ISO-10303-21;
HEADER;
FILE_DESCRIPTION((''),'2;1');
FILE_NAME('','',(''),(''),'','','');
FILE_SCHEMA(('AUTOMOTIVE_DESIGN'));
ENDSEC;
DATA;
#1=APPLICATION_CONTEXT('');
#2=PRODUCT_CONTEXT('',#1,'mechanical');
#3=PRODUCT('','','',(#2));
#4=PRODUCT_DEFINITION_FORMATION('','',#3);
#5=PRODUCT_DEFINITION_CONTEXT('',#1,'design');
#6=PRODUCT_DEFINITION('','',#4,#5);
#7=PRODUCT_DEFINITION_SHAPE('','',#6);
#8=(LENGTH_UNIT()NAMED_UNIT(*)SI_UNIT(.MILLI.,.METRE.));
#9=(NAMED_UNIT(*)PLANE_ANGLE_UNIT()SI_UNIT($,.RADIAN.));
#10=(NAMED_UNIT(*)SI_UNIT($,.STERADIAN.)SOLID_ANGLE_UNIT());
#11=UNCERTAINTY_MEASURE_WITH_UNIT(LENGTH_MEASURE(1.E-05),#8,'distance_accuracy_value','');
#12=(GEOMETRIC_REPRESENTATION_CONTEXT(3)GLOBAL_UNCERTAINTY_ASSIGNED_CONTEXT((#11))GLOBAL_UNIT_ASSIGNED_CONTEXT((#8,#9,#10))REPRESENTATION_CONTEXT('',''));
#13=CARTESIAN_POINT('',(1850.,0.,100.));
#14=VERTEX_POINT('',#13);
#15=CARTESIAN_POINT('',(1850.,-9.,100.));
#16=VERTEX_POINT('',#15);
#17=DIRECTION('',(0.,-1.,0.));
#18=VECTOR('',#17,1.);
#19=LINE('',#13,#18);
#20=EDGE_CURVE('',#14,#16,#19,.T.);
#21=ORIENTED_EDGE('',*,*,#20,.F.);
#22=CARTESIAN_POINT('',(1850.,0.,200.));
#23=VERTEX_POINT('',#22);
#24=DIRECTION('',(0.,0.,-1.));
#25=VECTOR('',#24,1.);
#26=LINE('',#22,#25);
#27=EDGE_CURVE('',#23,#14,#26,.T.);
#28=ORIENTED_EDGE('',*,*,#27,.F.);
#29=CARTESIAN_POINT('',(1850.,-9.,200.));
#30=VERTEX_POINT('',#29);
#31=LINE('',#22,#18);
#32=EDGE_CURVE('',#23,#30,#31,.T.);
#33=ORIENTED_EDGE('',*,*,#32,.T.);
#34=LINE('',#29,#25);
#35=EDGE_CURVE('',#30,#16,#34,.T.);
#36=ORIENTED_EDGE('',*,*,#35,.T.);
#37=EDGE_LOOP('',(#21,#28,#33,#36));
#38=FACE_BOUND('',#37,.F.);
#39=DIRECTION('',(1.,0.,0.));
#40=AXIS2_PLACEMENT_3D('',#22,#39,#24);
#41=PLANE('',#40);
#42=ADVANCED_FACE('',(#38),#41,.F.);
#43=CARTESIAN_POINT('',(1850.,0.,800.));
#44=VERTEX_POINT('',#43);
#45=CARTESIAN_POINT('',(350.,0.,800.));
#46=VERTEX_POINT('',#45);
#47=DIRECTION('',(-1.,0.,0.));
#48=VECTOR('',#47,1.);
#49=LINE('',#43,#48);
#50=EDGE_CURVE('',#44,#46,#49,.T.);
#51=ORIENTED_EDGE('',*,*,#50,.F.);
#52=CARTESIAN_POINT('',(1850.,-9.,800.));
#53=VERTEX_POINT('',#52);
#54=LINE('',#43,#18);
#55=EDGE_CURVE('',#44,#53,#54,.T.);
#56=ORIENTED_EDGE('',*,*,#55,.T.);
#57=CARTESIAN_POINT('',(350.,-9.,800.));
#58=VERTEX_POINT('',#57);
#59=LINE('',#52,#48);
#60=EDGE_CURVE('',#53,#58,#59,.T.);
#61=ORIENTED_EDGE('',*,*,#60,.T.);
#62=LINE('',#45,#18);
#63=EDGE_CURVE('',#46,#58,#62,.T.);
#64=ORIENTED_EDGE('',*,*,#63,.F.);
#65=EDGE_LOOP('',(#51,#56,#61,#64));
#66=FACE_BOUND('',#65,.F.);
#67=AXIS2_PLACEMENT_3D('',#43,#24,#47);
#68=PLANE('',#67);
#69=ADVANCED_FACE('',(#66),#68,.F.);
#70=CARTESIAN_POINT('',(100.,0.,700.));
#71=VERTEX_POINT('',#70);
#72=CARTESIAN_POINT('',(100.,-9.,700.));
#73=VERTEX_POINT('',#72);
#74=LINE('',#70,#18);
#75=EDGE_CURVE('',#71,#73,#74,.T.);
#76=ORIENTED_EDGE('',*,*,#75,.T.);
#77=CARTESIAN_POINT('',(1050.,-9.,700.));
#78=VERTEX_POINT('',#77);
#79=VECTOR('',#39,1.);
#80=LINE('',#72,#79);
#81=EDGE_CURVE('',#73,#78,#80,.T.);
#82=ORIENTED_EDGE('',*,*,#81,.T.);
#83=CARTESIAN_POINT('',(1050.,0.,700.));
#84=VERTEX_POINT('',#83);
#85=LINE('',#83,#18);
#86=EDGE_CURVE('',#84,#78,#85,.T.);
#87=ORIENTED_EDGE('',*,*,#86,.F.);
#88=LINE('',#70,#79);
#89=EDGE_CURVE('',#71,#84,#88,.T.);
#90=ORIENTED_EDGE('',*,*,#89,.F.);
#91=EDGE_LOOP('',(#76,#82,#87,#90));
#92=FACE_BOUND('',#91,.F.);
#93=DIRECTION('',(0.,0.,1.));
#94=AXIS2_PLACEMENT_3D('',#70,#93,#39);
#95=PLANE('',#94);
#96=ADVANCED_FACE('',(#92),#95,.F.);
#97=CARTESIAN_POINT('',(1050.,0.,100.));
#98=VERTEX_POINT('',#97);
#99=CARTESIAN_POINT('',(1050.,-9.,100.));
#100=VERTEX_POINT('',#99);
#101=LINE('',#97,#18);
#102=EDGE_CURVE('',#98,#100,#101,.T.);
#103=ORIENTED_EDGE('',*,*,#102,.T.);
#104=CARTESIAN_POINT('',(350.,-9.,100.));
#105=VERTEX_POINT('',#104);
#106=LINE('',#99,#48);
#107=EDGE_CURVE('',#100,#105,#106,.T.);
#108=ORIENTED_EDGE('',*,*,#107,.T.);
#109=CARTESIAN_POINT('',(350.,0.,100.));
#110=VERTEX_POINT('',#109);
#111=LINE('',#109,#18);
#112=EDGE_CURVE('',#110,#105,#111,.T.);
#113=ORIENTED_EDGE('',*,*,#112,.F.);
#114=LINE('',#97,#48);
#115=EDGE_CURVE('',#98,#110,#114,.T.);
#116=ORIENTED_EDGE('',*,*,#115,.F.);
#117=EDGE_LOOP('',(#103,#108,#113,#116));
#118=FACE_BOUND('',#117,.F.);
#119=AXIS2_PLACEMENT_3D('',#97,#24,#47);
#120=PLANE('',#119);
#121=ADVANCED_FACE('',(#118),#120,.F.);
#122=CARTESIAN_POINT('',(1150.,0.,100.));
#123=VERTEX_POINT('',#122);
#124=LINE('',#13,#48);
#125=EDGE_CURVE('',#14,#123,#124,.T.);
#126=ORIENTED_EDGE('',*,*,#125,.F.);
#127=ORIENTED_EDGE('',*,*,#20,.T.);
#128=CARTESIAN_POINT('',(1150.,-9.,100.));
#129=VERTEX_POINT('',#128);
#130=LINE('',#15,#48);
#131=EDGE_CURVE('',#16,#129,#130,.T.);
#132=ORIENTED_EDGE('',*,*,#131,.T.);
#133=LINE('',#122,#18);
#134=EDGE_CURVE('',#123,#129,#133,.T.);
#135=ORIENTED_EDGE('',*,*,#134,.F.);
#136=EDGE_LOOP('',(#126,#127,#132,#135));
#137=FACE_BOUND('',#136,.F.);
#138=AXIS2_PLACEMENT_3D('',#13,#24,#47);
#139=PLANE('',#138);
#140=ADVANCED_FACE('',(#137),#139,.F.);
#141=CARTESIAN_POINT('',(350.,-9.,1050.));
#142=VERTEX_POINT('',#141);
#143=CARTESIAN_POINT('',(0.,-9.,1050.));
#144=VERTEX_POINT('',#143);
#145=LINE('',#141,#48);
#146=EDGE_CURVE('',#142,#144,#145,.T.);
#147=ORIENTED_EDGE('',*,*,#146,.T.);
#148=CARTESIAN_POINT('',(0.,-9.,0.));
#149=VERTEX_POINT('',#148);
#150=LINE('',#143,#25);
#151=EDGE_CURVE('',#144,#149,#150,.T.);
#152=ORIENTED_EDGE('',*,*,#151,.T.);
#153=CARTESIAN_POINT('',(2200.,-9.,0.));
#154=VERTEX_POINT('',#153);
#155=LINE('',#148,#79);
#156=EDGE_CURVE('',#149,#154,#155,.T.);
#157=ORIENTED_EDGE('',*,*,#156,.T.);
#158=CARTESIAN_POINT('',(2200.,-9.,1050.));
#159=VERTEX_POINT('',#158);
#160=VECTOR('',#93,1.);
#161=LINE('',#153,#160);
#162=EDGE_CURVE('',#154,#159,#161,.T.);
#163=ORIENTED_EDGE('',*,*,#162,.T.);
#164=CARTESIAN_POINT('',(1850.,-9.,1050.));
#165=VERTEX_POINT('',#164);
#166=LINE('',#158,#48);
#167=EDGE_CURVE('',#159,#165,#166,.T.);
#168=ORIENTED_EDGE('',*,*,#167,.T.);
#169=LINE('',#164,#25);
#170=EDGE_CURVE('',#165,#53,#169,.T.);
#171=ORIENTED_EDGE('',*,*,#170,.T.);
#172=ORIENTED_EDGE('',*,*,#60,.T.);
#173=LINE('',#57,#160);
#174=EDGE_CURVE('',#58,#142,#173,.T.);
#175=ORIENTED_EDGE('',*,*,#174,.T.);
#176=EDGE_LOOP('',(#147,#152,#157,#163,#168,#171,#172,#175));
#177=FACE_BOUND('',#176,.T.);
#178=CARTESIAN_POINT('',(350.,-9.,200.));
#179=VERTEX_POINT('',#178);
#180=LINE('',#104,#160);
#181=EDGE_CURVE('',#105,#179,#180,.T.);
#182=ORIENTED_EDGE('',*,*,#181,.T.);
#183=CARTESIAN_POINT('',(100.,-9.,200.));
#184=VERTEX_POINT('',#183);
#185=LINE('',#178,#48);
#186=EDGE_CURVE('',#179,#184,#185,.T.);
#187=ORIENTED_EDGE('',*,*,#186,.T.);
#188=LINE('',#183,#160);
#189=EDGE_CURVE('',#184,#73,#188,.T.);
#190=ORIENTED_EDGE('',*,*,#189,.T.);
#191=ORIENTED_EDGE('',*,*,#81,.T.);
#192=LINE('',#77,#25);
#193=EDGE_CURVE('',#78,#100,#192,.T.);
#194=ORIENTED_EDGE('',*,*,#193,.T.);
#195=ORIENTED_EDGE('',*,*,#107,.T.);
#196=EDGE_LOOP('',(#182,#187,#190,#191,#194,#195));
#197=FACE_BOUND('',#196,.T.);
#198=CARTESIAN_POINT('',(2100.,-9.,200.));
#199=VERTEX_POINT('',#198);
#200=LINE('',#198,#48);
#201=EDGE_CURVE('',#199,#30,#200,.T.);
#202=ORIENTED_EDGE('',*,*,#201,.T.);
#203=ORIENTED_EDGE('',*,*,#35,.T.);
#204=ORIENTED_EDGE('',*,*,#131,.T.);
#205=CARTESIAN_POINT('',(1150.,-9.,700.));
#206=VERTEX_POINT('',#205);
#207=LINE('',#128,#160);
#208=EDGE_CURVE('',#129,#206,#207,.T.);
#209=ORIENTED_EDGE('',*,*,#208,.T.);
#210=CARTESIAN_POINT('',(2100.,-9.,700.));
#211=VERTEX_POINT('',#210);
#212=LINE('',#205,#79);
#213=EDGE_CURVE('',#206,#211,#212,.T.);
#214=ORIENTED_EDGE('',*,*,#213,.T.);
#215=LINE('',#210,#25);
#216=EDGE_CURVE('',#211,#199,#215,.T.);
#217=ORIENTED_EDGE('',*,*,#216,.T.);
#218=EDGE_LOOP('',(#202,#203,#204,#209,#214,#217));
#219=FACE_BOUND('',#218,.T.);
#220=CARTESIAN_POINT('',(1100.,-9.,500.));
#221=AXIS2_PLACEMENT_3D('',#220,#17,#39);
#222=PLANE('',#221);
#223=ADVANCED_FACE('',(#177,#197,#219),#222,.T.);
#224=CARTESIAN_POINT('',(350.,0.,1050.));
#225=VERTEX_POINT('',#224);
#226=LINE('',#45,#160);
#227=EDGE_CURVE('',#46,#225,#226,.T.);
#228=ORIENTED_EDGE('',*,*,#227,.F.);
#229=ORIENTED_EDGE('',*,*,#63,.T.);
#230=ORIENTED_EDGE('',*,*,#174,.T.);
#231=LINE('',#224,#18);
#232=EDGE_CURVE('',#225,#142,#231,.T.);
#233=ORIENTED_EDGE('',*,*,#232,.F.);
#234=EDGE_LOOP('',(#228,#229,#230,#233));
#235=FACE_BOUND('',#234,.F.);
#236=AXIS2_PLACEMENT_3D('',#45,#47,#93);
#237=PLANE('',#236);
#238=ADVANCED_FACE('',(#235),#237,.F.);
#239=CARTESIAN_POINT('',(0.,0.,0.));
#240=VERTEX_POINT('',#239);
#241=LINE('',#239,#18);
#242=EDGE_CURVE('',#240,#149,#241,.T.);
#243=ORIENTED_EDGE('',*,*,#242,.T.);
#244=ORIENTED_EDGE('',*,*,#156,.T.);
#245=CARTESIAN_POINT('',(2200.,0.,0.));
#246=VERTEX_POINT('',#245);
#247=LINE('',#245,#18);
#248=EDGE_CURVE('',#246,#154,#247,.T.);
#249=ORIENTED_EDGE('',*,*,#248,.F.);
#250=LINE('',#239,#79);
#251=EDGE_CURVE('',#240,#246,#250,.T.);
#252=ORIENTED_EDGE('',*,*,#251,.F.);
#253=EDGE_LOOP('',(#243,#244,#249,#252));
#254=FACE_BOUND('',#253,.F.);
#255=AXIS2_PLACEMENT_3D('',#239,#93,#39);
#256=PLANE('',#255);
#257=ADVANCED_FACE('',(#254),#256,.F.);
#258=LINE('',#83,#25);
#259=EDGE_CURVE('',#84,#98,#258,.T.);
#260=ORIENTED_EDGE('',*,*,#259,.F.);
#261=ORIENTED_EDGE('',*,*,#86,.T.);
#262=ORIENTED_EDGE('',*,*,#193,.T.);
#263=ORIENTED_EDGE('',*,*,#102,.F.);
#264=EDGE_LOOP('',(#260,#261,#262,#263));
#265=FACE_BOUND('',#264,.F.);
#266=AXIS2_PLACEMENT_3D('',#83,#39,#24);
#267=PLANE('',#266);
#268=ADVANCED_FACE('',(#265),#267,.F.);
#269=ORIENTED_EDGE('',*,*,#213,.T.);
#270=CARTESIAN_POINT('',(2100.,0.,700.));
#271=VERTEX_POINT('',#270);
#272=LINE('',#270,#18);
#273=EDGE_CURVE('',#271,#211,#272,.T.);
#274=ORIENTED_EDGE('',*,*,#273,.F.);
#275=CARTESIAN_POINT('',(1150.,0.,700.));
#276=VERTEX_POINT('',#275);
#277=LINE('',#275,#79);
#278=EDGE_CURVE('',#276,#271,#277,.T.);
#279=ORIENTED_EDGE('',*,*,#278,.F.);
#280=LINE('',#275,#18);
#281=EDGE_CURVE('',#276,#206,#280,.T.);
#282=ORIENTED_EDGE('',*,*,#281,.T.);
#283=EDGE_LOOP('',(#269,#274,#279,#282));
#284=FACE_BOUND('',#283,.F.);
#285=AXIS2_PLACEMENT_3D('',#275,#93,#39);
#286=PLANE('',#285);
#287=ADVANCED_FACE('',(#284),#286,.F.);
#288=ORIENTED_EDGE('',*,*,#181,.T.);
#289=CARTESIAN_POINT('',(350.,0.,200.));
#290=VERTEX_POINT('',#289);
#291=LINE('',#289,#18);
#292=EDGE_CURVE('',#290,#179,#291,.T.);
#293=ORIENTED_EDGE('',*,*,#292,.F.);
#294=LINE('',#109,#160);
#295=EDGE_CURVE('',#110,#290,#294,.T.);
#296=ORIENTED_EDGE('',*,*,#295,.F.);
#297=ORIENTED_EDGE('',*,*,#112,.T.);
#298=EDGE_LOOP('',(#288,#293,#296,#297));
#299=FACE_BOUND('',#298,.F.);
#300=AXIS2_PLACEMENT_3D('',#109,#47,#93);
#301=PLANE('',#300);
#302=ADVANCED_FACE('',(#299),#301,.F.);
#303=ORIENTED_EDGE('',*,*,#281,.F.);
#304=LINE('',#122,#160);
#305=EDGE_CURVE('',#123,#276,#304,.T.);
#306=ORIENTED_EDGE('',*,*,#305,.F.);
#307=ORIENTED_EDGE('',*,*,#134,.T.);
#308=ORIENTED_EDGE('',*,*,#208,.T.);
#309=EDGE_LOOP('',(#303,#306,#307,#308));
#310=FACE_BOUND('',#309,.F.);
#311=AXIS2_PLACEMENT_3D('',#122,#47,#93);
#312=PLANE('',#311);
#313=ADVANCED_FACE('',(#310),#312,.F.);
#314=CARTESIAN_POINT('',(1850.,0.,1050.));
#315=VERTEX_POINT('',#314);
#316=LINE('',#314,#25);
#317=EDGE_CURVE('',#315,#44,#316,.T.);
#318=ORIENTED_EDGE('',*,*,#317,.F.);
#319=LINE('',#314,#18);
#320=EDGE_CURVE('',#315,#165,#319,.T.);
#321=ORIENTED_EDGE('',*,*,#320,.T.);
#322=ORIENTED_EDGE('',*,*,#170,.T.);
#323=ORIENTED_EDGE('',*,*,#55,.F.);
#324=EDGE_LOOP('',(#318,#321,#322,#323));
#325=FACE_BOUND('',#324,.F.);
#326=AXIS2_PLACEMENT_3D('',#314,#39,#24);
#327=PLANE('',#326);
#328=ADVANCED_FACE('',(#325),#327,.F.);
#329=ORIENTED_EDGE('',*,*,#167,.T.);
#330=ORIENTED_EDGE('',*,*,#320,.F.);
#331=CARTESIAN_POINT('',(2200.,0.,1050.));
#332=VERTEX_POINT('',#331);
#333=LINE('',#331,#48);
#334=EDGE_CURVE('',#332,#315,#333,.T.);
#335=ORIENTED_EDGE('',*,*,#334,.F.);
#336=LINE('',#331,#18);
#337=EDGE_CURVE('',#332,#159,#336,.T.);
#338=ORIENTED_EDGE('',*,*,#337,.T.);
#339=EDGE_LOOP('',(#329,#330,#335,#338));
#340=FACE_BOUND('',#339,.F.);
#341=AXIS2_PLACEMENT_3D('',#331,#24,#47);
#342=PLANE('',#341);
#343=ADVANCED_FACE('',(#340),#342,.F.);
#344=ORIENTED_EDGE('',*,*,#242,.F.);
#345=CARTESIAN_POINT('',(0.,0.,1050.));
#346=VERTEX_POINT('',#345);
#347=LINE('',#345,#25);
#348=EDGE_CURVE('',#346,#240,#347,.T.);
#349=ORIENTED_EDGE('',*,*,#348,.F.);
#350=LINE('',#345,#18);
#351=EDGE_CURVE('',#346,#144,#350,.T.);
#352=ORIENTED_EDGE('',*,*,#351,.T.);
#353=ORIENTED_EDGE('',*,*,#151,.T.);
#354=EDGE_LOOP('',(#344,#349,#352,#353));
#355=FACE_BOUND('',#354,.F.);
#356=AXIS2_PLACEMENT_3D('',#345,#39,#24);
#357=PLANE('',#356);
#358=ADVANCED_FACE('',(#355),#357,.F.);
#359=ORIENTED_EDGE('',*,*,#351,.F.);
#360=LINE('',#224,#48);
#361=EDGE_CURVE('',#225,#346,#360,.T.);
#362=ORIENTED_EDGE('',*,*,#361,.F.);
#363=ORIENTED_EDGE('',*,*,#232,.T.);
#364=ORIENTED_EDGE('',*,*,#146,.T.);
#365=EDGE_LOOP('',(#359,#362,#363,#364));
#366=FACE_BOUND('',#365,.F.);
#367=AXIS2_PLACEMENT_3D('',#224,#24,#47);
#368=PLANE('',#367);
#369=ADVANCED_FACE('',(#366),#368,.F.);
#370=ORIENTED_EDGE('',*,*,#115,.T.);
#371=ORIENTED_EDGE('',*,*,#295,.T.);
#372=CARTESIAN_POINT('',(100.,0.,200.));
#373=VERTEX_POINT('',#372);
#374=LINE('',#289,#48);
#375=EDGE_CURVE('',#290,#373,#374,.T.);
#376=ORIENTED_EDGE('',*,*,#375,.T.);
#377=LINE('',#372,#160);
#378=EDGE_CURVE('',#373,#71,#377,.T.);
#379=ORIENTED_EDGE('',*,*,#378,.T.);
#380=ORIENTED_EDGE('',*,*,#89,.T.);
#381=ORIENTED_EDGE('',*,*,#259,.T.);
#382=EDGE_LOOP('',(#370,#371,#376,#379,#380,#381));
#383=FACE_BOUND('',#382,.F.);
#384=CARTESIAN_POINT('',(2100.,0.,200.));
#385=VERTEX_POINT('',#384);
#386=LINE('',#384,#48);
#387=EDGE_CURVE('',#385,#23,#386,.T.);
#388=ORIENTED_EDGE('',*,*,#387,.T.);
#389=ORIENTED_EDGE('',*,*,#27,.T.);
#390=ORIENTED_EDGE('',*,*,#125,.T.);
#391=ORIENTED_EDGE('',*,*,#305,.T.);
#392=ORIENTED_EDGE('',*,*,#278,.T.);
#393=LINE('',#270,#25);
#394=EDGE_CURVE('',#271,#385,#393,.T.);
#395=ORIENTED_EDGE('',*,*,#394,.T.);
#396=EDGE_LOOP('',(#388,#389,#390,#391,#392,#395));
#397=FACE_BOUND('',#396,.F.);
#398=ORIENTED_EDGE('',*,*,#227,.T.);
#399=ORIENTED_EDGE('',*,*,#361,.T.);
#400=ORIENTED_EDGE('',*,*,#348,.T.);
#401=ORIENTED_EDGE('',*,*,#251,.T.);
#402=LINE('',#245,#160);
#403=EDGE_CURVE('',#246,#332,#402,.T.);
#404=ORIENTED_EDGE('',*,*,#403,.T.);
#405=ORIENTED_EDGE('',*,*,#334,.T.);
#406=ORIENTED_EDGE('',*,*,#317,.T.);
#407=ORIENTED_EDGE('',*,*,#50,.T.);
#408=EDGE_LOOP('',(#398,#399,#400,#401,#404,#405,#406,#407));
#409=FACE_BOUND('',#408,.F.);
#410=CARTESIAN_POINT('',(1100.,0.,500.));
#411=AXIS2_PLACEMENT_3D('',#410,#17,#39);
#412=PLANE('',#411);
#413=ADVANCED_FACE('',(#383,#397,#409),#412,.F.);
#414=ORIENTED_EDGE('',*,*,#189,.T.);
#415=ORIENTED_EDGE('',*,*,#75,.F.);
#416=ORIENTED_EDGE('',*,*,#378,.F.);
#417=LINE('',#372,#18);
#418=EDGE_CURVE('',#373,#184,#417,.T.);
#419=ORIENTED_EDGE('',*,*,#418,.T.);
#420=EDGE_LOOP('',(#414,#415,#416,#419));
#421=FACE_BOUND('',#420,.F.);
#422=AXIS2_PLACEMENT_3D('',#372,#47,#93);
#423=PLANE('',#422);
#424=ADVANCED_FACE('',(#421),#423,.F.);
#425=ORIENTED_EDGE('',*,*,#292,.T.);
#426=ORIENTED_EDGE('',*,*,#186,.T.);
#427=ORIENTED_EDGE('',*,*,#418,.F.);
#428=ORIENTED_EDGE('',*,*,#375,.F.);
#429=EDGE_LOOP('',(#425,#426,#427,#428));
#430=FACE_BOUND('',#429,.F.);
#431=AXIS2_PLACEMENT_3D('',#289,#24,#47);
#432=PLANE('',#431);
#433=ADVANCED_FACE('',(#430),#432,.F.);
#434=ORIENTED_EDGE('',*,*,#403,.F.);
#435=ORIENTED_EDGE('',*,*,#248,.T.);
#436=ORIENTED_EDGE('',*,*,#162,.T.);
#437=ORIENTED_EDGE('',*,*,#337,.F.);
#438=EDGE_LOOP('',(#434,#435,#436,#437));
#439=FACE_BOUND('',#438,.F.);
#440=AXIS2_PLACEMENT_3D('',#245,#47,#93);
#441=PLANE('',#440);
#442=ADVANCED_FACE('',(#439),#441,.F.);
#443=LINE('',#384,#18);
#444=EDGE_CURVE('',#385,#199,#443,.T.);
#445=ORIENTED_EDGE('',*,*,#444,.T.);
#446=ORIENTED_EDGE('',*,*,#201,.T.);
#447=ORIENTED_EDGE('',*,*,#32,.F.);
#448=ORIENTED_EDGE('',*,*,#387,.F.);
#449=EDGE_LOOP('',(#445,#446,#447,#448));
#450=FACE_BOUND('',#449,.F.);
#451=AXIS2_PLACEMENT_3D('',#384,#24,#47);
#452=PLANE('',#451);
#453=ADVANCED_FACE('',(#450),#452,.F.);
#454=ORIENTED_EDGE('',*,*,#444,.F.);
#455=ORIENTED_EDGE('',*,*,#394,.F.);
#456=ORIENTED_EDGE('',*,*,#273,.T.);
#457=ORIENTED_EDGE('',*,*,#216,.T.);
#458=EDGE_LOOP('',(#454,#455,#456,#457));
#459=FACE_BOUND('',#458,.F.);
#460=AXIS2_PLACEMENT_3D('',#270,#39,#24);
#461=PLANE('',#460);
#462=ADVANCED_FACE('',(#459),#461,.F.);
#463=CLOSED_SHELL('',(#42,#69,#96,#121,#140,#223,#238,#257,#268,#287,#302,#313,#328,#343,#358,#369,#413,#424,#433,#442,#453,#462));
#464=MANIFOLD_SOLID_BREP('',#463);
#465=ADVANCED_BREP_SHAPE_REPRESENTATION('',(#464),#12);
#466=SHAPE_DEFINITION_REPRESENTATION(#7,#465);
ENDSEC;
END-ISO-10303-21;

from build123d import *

# Parameters (mm, degrees)
F1_DEPTH = 9


with BuildPart() as f1:
    # F0 (on Front) → F1 (new body)
    with BuildSketch(Plane.XZ):
        Polygon((0, 1050), (0, 0), (2200, 0), (2200, 1050), (1850, 1050), (1850, 800), (350, 800), (350, 1050), align=None)
        Polygon((100, 200), (100, 700), (1050, 700), (1050, 100), (350, 100), (350, 200), align=None, mode=Mode.SUBTRACT)
        Polygon((1850, 100), (1150, 100), (1150, 700), (2100, 700), (2100, 200), (1850, 200), align=None, mode=Mode.SUBTRACT)
    extrude(amount=F1_DEPTH)


solid = f1.part
